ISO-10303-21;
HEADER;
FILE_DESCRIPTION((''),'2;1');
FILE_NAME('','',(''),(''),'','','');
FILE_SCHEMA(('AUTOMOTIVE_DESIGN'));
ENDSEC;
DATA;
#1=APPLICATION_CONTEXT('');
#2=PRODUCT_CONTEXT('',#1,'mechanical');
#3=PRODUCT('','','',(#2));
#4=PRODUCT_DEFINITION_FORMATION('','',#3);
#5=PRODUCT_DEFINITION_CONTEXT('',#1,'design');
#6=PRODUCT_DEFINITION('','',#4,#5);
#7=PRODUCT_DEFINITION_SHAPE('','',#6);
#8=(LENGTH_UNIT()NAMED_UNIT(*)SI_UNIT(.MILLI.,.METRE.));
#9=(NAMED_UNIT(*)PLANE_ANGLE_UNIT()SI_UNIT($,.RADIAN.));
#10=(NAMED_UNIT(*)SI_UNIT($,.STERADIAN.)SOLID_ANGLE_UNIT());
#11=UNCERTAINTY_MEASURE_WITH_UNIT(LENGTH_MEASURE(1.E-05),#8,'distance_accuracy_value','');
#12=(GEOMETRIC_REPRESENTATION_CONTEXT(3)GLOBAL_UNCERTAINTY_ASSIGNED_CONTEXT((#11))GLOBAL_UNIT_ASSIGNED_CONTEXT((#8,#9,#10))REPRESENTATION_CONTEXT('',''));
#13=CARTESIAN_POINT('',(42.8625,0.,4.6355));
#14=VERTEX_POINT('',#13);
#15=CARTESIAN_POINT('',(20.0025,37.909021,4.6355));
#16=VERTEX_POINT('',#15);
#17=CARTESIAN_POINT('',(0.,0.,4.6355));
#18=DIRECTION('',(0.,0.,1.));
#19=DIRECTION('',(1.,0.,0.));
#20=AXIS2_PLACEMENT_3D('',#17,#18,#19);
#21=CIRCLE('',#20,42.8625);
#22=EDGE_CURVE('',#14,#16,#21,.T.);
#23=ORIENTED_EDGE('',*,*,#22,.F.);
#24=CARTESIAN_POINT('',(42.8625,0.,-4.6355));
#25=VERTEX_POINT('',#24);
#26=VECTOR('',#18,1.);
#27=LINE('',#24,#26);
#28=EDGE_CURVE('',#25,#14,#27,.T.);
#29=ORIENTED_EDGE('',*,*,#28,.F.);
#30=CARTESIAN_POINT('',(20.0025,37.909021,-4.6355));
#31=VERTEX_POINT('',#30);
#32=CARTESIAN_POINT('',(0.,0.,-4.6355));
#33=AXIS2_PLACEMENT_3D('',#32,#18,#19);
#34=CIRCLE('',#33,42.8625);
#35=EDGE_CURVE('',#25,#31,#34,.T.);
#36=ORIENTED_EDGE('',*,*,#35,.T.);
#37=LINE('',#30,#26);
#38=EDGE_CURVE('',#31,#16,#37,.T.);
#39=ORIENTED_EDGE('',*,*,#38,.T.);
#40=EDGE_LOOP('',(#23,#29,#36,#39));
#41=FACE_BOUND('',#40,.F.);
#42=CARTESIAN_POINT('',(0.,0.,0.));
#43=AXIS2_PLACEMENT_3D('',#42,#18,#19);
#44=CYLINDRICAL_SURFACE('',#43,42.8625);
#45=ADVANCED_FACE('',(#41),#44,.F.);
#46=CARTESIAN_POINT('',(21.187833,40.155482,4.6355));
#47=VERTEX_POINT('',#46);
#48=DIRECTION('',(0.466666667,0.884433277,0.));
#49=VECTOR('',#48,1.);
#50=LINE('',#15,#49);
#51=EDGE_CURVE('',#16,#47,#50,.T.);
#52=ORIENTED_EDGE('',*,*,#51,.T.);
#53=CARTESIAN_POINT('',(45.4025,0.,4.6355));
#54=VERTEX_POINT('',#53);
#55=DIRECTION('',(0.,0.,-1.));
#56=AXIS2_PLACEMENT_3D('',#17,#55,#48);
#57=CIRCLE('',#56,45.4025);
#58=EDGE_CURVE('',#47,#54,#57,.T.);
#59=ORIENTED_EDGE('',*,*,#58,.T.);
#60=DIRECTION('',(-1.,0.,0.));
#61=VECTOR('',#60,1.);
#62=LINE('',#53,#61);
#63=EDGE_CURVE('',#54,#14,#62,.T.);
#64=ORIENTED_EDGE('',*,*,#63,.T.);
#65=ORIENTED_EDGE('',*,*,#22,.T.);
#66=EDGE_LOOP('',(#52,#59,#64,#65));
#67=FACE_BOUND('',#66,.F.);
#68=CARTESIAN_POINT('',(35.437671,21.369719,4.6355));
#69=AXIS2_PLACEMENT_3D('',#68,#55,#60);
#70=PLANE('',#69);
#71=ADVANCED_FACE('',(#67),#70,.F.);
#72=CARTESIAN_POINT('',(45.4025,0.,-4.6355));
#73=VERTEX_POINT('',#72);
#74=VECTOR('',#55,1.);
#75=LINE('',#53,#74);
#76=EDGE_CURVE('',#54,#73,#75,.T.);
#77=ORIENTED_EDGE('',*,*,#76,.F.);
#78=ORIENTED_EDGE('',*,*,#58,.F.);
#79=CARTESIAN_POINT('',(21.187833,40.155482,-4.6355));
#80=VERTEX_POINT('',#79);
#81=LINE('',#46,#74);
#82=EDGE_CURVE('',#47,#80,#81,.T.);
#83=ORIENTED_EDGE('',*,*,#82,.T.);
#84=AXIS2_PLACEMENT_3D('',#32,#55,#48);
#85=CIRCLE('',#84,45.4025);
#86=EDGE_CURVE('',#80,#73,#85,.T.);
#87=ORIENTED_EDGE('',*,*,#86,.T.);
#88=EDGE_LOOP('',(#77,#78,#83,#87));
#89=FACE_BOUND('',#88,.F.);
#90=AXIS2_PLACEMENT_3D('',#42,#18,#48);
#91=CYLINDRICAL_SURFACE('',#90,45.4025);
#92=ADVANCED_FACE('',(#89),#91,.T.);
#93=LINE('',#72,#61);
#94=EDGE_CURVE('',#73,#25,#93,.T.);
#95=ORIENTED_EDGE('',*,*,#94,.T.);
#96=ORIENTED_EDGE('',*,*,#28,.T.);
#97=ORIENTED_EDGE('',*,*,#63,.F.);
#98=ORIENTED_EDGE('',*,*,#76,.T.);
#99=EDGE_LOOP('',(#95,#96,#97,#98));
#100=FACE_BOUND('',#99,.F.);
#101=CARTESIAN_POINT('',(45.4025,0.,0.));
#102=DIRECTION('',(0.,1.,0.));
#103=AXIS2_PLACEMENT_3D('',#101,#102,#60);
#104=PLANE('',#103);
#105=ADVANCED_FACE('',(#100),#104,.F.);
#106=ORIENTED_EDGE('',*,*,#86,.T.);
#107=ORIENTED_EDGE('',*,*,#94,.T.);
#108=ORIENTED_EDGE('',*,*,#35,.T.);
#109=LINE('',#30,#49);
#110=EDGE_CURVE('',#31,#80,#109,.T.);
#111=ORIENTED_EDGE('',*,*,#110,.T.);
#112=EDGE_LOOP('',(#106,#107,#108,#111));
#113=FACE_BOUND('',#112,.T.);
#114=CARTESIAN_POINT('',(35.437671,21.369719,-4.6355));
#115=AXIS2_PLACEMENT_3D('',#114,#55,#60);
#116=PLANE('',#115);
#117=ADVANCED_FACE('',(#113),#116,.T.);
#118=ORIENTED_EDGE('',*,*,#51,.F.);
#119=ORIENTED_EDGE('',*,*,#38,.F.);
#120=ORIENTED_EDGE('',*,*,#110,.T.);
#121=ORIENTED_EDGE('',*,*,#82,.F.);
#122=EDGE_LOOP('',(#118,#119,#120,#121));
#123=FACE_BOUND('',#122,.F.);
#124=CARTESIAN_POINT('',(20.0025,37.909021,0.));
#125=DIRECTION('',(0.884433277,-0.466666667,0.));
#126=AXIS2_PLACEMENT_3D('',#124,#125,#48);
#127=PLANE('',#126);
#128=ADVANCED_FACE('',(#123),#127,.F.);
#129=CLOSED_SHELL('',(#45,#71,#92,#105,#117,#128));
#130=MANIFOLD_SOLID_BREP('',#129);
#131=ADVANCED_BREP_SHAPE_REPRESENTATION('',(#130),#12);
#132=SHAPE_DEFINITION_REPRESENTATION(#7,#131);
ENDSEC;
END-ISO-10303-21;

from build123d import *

# Parameters (mm, degrees)
BOSS_EXTRUDE1_DEPTH = 4.6355


with BuildPart() as part:
    # Sketch1 → Boss-Extrude1 (new body, symmetric)
    with BuildSketch(Plane.XY):
        with BuildLine():
            Line((20.0025, 37.909021354), (21.187833333, 40.155481878))
            ThreePointArc((21.187833333, 40.155481878), (38.880378144, 23.445750183), (45.4025, 0))
            Line((45.4025, 0), (42.8625, 0))
            ThreePointArc((42.8625, 0), (36.705252094, 22.134099824), (20.0025, 37.909021354))
        make_face()
    extrude(amount=BOSS_EXTRUDE1_DEPTH, both=True)


solid = part.part
